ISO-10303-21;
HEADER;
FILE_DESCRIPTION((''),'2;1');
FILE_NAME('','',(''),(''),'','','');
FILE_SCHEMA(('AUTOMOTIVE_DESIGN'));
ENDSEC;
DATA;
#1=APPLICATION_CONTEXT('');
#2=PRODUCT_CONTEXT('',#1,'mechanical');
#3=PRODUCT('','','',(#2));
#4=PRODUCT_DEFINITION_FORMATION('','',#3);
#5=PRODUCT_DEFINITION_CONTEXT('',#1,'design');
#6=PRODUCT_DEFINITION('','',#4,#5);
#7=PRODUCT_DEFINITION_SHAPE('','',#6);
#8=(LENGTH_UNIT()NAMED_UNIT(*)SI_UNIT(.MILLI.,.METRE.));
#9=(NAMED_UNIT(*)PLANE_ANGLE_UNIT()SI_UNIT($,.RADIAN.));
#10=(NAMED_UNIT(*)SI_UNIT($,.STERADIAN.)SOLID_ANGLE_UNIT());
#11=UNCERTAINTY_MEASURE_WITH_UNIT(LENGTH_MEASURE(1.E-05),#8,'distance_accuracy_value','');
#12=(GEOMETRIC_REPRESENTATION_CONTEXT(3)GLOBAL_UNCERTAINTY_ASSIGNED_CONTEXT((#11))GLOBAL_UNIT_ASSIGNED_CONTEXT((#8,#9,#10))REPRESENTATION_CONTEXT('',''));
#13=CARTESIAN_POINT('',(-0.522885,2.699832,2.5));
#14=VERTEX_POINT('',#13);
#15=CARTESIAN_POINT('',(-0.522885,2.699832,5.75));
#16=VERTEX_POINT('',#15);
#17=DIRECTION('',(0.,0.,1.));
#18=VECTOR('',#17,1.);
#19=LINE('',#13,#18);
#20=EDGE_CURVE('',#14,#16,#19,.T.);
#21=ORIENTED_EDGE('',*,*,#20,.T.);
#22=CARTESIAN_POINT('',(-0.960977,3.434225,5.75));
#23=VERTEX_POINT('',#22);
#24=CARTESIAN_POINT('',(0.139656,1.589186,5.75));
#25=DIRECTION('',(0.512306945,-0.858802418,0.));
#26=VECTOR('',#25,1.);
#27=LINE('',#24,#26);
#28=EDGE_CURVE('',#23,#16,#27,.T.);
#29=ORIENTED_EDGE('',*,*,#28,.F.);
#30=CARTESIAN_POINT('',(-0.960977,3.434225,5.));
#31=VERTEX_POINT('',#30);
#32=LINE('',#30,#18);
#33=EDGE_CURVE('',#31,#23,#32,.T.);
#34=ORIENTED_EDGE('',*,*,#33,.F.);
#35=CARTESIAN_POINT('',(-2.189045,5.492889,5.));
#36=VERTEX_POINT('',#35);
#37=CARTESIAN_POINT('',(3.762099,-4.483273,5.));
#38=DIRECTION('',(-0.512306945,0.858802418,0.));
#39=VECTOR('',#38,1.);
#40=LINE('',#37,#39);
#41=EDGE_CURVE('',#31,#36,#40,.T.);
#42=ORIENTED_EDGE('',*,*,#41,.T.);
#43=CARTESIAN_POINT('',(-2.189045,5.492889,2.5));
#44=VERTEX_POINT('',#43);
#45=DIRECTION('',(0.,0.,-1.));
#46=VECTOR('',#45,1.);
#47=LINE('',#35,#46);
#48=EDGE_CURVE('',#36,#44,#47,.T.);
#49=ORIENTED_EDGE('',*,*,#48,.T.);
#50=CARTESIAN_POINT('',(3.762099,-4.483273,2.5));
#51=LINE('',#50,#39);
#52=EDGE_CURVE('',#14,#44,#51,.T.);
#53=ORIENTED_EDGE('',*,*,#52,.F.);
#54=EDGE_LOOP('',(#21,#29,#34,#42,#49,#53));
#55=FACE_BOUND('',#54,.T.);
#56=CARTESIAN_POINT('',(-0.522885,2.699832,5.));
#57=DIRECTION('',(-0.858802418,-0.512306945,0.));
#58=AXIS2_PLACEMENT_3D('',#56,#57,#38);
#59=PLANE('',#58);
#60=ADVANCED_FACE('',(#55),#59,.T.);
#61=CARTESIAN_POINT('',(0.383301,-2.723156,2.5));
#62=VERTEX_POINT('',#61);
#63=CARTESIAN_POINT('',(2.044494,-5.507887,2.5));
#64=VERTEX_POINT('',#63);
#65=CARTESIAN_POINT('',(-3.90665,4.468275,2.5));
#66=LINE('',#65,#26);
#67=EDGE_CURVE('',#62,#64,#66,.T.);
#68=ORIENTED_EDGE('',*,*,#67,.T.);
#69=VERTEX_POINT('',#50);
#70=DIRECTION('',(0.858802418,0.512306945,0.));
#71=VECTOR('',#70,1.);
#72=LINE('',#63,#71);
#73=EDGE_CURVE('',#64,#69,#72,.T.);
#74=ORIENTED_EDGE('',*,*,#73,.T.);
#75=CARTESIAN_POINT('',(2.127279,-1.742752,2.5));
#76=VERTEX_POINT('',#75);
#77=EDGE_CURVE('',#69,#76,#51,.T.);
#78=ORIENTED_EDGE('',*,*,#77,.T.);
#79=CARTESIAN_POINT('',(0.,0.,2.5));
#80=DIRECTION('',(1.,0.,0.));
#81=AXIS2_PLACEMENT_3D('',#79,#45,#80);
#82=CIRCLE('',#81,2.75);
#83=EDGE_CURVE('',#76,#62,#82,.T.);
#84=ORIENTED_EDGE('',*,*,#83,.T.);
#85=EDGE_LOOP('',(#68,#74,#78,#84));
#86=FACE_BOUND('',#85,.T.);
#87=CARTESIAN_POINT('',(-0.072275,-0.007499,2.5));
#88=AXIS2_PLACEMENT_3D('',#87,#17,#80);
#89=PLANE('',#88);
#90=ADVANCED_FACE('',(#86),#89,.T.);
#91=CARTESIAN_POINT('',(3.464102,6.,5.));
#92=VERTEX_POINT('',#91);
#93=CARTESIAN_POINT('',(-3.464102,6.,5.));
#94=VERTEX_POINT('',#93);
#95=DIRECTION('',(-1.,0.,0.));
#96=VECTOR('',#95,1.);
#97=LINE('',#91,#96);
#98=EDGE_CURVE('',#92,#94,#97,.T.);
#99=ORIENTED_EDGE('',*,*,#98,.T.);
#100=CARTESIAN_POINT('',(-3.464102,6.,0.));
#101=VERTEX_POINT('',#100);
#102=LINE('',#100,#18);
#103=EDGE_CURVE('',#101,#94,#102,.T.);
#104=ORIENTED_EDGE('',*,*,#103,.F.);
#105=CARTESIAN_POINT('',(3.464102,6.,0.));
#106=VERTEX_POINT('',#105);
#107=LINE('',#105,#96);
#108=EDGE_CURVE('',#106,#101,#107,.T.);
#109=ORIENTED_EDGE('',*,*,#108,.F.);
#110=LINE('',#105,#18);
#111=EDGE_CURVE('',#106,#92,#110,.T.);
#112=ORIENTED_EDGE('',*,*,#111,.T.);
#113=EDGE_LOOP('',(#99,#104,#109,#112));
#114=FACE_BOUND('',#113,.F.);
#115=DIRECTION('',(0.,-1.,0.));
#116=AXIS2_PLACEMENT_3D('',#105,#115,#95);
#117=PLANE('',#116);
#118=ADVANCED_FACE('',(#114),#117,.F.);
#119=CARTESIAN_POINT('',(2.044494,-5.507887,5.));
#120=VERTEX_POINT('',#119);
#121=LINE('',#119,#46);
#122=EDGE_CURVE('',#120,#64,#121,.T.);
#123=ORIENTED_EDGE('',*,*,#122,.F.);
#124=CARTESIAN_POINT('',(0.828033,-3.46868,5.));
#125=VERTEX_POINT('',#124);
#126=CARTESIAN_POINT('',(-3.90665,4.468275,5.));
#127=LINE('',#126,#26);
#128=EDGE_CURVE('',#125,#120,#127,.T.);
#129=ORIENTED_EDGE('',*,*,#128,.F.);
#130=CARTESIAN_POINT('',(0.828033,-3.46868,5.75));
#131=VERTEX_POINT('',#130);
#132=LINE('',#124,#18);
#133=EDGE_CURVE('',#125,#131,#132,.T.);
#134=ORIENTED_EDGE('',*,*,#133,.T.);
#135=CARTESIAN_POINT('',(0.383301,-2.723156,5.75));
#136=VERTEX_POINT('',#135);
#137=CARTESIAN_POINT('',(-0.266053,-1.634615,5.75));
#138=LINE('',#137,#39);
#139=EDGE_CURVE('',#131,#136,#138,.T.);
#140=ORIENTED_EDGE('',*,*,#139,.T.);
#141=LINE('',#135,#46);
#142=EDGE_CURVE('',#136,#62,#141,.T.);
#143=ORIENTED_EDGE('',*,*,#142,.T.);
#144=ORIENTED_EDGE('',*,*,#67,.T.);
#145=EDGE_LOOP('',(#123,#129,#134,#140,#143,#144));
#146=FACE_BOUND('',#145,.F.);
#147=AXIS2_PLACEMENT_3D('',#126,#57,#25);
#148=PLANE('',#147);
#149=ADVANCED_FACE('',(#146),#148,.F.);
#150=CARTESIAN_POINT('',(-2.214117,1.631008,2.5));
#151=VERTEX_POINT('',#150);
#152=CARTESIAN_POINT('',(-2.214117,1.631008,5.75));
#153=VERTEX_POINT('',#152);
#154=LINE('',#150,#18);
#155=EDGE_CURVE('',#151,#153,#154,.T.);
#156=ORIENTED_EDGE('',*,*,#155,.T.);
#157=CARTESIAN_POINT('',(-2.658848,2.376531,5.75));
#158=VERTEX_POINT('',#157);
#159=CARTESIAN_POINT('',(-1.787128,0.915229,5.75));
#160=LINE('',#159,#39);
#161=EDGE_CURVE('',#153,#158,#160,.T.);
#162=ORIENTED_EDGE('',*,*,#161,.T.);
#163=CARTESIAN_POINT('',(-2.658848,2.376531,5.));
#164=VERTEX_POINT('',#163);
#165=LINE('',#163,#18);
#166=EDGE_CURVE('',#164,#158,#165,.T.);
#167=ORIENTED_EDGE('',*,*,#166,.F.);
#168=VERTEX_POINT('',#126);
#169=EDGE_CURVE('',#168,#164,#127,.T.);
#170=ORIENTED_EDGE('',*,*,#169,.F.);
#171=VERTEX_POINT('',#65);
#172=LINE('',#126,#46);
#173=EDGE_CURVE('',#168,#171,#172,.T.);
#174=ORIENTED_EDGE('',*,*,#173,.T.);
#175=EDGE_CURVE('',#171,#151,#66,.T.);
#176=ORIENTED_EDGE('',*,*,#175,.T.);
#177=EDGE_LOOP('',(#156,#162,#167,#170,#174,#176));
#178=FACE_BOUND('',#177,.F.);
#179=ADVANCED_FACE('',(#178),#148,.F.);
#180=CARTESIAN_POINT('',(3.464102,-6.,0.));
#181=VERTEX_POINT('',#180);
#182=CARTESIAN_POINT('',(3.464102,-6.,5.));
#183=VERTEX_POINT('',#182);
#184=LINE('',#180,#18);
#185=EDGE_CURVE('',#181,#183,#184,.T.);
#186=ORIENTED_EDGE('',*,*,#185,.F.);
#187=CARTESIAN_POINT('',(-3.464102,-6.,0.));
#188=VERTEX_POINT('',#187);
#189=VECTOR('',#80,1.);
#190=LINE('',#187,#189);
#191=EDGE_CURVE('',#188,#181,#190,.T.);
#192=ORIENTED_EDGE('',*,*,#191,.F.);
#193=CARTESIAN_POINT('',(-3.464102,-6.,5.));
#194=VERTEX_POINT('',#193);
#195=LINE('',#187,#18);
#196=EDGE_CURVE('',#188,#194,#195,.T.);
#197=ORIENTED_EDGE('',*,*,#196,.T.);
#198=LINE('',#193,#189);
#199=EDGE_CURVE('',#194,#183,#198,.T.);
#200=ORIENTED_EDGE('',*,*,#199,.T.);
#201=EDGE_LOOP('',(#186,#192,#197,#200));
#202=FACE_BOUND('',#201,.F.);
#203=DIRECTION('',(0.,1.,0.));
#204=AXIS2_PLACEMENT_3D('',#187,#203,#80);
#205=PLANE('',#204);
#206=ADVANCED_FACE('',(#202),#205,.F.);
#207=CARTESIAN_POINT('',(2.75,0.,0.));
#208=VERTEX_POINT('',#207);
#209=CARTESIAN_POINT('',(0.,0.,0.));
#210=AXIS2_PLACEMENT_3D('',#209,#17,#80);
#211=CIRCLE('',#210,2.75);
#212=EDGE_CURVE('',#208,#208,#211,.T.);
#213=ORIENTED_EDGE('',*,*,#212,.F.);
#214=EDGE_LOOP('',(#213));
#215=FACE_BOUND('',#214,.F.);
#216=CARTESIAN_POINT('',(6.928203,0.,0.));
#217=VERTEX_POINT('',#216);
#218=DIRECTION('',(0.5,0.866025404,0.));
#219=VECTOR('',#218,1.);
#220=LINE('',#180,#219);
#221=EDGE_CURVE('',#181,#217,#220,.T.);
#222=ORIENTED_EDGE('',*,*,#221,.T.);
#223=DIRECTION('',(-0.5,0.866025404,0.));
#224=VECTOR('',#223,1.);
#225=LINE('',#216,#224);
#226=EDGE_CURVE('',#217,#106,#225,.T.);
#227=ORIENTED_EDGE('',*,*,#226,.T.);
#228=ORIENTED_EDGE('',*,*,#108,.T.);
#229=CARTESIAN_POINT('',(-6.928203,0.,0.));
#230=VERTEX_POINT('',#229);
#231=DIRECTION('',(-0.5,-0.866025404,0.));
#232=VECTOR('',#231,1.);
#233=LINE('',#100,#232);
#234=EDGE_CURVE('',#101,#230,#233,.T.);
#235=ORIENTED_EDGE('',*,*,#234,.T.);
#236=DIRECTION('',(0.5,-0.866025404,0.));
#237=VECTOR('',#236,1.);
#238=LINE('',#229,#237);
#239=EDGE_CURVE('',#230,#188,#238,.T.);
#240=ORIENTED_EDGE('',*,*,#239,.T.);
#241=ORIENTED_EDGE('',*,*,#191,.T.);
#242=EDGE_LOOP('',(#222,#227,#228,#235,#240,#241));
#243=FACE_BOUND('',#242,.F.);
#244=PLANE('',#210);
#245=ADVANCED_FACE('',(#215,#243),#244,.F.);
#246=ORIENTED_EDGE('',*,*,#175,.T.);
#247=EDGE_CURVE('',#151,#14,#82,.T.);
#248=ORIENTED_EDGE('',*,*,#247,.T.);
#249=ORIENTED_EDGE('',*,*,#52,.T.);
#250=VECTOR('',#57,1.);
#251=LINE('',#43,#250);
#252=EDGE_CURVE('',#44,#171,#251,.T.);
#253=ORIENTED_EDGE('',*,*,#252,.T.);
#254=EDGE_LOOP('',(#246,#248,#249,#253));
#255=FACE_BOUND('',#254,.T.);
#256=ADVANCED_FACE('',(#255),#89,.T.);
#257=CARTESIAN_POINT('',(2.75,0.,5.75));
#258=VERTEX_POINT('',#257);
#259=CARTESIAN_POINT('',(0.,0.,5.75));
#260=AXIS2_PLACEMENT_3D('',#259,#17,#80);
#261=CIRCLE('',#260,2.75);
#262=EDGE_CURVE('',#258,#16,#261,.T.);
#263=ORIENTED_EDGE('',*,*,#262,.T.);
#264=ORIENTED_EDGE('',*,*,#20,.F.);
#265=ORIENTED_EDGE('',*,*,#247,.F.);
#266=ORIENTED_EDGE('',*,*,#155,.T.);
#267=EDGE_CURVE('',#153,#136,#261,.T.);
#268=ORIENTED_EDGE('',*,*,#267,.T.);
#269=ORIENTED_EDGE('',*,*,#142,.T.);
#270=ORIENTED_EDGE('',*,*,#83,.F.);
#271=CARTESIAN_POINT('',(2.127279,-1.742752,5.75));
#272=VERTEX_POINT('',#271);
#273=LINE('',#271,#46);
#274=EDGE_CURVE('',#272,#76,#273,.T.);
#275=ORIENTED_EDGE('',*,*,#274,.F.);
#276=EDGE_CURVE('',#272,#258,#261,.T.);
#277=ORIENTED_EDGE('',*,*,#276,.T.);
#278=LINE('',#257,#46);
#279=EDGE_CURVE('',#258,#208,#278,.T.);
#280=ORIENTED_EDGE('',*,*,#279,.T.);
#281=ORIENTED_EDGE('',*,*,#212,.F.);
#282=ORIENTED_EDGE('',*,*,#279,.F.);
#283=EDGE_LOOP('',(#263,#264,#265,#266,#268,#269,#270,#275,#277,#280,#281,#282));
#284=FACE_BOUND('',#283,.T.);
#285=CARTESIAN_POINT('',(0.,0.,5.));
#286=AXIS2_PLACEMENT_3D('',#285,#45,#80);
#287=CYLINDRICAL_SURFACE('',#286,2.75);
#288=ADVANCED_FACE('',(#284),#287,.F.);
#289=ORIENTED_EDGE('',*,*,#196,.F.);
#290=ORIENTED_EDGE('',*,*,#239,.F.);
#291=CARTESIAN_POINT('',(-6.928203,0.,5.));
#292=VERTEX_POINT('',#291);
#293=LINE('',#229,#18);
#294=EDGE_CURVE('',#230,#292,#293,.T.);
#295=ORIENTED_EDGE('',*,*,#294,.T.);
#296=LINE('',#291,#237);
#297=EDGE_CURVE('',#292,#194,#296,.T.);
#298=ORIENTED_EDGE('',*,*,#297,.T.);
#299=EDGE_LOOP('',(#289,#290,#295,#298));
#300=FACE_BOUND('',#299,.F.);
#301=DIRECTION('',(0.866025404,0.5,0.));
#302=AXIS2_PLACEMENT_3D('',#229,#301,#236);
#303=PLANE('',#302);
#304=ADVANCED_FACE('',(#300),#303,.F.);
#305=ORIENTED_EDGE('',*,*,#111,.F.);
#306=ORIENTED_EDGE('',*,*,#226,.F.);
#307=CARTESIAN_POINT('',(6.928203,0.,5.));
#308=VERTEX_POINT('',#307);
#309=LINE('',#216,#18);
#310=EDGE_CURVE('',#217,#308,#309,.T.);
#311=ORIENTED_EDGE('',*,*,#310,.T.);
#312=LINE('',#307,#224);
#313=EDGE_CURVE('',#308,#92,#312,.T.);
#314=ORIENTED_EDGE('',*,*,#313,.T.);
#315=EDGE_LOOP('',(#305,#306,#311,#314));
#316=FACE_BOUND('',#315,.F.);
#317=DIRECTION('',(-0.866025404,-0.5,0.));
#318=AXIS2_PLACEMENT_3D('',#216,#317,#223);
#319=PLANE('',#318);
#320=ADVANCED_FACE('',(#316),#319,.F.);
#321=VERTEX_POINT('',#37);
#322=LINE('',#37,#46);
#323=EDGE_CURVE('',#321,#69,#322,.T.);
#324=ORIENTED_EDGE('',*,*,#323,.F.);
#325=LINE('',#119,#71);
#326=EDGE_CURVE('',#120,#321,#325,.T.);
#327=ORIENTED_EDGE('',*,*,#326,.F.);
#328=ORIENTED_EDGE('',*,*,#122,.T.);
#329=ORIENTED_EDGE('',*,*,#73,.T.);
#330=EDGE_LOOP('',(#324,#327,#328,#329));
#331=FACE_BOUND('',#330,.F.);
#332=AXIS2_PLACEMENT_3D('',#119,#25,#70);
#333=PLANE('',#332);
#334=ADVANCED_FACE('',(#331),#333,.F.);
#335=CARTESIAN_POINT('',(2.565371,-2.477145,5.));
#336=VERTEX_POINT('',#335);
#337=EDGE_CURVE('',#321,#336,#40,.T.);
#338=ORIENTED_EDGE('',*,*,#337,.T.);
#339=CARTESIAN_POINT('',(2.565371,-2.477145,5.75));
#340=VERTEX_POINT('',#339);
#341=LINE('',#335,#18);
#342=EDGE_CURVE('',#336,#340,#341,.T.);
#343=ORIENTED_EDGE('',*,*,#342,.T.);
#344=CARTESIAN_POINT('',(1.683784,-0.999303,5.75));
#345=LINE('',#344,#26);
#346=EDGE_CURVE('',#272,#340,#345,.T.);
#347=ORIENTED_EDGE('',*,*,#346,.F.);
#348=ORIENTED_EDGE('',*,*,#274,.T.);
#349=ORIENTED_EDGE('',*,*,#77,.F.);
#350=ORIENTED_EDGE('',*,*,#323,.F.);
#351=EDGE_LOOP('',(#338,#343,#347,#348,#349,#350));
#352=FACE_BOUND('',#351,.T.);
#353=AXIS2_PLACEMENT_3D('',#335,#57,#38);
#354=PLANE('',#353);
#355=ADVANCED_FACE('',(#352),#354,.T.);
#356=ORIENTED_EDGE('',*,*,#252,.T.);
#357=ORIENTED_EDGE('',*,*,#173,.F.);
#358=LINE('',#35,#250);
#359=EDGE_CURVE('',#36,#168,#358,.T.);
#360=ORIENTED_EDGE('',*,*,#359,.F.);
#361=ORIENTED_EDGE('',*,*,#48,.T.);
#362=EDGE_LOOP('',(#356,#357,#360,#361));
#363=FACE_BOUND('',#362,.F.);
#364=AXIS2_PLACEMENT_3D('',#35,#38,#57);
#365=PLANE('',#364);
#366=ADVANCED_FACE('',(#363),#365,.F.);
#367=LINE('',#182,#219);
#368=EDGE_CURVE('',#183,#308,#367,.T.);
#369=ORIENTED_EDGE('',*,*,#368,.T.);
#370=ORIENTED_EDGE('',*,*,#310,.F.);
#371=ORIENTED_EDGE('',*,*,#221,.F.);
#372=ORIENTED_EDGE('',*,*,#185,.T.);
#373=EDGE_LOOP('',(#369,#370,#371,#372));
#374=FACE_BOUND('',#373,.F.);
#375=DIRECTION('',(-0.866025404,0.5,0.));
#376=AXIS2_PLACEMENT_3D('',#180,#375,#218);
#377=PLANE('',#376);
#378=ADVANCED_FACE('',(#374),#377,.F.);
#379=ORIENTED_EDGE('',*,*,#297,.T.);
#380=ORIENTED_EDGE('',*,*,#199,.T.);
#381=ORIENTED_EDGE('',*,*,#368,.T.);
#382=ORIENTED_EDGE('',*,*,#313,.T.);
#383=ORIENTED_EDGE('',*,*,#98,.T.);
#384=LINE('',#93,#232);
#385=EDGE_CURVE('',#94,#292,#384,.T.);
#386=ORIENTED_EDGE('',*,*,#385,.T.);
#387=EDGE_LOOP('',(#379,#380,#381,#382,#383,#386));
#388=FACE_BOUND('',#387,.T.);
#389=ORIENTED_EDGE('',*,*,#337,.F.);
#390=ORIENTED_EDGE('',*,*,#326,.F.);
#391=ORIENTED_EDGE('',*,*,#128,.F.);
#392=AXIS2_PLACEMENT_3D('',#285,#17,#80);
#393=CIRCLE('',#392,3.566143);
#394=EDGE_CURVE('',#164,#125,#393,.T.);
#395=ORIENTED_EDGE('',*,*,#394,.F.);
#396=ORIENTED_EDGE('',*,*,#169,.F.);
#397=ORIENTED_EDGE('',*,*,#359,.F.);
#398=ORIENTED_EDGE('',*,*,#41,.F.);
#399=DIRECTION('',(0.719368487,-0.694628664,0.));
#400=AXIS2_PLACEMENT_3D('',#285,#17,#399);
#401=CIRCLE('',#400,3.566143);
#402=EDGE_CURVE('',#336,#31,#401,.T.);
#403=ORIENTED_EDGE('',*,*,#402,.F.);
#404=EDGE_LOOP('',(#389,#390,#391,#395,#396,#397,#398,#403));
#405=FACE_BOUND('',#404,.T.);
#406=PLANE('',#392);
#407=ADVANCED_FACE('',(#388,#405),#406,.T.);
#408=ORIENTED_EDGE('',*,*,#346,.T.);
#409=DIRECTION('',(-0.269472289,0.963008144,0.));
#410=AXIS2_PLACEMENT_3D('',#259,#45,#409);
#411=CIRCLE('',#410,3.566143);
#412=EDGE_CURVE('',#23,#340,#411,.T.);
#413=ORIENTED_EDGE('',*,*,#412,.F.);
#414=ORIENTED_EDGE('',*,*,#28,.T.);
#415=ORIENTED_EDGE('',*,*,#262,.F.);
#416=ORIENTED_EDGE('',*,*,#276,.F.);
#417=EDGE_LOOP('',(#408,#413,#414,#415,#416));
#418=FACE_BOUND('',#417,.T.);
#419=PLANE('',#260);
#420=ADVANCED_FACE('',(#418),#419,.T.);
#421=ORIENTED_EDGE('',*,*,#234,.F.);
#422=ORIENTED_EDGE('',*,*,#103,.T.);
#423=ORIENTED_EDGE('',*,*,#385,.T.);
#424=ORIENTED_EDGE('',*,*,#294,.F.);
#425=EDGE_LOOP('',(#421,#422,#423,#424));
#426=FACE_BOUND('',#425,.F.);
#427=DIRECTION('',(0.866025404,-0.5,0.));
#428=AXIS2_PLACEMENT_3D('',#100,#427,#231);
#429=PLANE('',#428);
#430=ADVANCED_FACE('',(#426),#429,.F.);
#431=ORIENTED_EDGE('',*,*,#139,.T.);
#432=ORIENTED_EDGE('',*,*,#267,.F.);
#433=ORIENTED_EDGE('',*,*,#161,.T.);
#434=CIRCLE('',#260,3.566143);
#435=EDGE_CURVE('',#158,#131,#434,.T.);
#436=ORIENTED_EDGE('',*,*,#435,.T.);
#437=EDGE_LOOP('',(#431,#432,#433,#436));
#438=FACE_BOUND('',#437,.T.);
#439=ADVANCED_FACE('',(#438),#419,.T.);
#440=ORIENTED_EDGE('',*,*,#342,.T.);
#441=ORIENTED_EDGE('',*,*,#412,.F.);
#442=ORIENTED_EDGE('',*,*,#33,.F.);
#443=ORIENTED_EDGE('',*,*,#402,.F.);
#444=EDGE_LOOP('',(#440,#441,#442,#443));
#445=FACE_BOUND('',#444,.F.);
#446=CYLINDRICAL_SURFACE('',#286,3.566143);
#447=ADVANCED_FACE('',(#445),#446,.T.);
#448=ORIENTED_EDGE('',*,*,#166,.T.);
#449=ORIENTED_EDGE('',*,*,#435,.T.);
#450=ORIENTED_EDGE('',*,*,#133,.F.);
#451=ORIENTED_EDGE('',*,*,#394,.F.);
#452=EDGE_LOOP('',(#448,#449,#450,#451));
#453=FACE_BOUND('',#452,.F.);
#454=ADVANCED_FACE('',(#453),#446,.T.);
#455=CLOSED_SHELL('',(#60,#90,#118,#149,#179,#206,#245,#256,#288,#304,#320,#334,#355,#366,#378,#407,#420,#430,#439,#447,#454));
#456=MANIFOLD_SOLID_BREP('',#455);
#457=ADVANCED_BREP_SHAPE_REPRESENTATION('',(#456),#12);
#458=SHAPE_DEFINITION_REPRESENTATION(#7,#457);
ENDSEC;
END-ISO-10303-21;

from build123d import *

# Parameters (mm, degrees)
F0_R     = 2.75
F1_DEPTH = 5
F2_R     = 3.5661431143
F2_R_2   = 2.75
F3_DEPTH = 0.75
F5_DEPTH = 2.5
F6_DEPTH = 25


with BuildPart() as f1:
    # F0 (on Top) → F1 (new body)
    with BuildSketch(Plane.XY):
        Polygon((3.4641016151, 6), (-3.4641016151, 6), (-6.9282032303, 0), (-3.4641016151, -6), (3.4641016151, -6), (6.9282032303, 0), align=None)
        Circle(F0_R, mode=Mode.SUBTRACT)
    extrude(amount=F1_DEPTH)

    # F2 (on face) → F3 (join)
    with BuildSketch(Plane.XY.offset(5)):
        Circle(F2_R)
        Circle(F2_R_2, mode=Mode.SUBTRACT)
    extrude(amount=F3_DEPTH)

    # F4 (on face) → F5 (cut)
    with BuildSketch(Plane.XY.offset(5)):
        Polygon((-2.1890449113, 5.4928889455), (-3.906649748, 4.4682750548), (2.0444942813, -5.5078865623), (3.7620991179, -4.4832726717), align=None)
    extrude(amount=-F5_DEPTH, mode=Mode.SUBTRACT)

    # F6 (cut): faces of the model
    f6_faces = [f1.faces().sort_by_distance(p)[0] for p in [
        (-1.6478181141, 2.6289073274, 5),
        (1.5304323639, -2.698932206, 5),
        (-1.6478181141, 2.6289073274, 5),
        (1.5304323639, -2.698932206, 5),
    ]]
    extrude(f6_faces, amount=-F6_DEPTH, mode=Mode.SUBTRACT)


solid = f1.part
